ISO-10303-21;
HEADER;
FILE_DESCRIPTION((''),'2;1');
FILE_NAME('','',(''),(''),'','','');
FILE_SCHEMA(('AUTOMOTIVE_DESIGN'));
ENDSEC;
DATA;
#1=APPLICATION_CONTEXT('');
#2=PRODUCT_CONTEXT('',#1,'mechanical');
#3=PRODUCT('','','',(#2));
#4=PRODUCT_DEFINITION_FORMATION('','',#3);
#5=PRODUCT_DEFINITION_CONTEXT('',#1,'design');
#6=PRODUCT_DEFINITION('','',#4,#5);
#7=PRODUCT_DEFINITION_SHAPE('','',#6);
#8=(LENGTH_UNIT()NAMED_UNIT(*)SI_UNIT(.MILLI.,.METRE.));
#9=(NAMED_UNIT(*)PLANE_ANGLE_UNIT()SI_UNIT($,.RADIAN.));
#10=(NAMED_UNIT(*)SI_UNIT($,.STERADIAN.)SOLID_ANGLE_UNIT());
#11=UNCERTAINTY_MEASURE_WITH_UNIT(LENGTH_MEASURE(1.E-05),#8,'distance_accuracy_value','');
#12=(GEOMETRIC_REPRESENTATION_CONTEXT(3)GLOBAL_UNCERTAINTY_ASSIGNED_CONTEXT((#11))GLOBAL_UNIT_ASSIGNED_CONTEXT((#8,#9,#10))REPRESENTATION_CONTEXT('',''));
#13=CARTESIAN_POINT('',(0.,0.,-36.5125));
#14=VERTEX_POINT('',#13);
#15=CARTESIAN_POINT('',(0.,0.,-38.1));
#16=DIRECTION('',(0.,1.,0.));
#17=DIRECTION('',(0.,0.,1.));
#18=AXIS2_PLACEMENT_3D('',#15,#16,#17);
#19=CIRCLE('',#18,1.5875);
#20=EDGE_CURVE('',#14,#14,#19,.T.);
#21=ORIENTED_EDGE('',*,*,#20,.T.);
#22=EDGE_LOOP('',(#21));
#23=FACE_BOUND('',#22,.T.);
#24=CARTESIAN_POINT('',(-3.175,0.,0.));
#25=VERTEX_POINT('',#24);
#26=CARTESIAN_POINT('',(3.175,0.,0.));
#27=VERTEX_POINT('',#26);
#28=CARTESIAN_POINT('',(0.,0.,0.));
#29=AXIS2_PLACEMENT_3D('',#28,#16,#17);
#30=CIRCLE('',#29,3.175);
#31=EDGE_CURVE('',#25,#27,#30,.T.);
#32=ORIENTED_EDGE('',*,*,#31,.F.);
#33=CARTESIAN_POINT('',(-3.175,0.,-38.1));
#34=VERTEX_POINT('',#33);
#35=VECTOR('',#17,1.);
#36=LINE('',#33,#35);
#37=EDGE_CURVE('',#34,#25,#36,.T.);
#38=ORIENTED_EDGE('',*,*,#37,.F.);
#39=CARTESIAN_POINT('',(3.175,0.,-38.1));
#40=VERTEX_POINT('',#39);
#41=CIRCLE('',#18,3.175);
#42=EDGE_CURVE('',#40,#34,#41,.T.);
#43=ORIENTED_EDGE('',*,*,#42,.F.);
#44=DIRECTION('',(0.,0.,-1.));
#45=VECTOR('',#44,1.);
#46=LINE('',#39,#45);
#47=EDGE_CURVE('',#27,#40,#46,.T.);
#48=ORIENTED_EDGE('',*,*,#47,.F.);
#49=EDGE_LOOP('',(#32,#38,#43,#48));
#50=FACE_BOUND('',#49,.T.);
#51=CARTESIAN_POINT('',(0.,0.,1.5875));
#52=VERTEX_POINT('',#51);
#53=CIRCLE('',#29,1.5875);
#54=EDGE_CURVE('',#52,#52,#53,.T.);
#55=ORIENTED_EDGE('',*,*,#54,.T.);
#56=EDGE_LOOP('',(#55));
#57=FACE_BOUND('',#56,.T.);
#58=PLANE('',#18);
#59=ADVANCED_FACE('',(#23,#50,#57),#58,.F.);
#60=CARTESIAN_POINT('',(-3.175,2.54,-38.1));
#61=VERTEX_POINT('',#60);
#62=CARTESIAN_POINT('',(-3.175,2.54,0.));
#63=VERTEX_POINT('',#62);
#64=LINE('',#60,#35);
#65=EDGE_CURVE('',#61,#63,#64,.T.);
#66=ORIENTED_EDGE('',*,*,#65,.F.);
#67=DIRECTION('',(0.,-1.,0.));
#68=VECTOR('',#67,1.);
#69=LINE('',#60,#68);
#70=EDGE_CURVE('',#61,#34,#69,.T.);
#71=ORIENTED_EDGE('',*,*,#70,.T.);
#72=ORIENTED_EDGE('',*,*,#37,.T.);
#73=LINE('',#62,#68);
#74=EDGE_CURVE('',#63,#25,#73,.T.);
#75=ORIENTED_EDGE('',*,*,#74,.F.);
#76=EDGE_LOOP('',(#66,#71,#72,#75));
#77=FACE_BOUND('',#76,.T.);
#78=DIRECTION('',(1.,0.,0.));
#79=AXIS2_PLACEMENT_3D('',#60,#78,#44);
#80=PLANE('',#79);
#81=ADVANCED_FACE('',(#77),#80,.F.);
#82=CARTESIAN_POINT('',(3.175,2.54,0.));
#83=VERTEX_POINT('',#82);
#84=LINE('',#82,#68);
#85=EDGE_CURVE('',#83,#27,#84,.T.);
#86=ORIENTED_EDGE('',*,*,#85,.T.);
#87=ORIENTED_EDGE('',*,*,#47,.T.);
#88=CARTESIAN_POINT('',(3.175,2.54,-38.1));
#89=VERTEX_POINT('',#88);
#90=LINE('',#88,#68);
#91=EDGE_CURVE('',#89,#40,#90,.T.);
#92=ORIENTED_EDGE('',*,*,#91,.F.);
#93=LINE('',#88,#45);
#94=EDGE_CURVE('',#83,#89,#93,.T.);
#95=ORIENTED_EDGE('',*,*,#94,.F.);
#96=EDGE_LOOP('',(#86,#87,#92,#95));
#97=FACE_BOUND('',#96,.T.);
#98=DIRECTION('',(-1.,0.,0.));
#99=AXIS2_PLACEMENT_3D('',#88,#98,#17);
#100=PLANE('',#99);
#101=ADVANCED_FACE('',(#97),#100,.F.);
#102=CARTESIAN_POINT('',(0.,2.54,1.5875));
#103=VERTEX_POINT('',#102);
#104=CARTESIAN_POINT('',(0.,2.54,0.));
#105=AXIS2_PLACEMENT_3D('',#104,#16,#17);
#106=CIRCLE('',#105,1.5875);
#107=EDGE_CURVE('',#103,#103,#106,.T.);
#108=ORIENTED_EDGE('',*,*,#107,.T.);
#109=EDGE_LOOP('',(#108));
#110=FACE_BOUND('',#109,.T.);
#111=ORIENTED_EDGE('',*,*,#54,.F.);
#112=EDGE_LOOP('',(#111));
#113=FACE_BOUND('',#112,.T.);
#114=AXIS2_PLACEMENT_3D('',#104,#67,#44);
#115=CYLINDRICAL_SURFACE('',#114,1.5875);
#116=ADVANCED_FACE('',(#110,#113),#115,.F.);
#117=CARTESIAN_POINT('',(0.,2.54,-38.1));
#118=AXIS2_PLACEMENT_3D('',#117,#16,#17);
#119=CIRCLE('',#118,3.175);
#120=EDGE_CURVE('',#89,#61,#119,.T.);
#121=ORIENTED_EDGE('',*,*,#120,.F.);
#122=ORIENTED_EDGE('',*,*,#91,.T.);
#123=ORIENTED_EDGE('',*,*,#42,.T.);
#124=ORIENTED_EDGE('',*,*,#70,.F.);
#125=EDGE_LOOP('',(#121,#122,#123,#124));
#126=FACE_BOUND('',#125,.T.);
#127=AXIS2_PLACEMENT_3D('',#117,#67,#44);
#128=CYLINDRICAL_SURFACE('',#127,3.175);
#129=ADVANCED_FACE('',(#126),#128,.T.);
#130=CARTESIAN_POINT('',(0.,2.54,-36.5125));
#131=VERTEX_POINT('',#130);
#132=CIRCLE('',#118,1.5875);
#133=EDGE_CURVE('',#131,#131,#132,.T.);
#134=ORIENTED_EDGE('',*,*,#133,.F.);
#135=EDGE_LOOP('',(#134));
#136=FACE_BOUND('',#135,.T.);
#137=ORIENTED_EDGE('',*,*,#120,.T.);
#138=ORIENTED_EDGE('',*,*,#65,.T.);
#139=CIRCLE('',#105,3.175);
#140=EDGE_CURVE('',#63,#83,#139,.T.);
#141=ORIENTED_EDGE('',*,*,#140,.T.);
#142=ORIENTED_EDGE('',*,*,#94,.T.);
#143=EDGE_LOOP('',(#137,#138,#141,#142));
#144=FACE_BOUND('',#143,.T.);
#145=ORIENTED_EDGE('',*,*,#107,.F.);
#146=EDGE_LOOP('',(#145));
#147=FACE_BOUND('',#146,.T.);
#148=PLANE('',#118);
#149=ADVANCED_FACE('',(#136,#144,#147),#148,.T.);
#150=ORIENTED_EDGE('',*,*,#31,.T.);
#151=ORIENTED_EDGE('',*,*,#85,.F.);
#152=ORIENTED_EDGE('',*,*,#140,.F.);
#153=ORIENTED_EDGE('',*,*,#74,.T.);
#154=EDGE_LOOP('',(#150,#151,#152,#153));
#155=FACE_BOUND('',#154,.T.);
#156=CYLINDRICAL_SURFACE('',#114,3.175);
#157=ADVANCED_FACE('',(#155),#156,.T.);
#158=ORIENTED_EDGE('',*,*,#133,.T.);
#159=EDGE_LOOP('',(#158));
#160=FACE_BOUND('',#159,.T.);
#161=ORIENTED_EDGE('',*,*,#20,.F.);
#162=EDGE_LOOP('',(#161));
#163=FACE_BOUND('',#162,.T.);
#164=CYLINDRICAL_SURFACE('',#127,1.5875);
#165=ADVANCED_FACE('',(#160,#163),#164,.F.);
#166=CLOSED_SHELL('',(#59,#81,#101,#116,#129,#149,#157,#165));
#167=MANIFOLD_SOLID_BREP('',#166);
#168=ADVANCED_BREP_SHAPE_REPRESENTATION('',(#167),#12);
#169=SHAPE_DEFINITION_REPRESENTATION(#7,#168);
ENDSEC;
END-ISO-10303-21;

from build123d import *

# Parameters (mm, degrees)
SKETCH1_R           = 1.5875
BOSS_EXTRUDE1_DEPTH = 2.54


with BuildPart() as part:
    # Sketch1 → Boss-Extrude1 (new body)
    with BuildSketch(Plane(origin=(0, 0, 0), x_dir=(1, 0, 0), z_dir=(0, 1, 0))):
        with BuildLine():
            Line((-3.175, 38.099999602), (-3.175, 3.98e-07))
            ThreePointArc((-3.175, 3.98e-07), (0, -3.175), (3.175, 3.98e-07))
            Line((3.175, 3.98e-07), (3.175, 38.099999602))
            ThreePointArc((3.175, 38.099999602), (0, 41.275), (-3.175, 38.099999602))
        make_face()
        with Locations(Location((0, 0, 0), (0, 0, 270))):
            Circle(SKETCH1_R, mode=Mode.SUBTRACT)
        with Locations(Location((0, 38.1, 0), (0, 0, 270))):
            Circle(SKETCH1_R, mode=Mode.SUBTRACT)
    extrude(amount=BOSS_EXTRUDE1_DEPTH)


solid = part.part
